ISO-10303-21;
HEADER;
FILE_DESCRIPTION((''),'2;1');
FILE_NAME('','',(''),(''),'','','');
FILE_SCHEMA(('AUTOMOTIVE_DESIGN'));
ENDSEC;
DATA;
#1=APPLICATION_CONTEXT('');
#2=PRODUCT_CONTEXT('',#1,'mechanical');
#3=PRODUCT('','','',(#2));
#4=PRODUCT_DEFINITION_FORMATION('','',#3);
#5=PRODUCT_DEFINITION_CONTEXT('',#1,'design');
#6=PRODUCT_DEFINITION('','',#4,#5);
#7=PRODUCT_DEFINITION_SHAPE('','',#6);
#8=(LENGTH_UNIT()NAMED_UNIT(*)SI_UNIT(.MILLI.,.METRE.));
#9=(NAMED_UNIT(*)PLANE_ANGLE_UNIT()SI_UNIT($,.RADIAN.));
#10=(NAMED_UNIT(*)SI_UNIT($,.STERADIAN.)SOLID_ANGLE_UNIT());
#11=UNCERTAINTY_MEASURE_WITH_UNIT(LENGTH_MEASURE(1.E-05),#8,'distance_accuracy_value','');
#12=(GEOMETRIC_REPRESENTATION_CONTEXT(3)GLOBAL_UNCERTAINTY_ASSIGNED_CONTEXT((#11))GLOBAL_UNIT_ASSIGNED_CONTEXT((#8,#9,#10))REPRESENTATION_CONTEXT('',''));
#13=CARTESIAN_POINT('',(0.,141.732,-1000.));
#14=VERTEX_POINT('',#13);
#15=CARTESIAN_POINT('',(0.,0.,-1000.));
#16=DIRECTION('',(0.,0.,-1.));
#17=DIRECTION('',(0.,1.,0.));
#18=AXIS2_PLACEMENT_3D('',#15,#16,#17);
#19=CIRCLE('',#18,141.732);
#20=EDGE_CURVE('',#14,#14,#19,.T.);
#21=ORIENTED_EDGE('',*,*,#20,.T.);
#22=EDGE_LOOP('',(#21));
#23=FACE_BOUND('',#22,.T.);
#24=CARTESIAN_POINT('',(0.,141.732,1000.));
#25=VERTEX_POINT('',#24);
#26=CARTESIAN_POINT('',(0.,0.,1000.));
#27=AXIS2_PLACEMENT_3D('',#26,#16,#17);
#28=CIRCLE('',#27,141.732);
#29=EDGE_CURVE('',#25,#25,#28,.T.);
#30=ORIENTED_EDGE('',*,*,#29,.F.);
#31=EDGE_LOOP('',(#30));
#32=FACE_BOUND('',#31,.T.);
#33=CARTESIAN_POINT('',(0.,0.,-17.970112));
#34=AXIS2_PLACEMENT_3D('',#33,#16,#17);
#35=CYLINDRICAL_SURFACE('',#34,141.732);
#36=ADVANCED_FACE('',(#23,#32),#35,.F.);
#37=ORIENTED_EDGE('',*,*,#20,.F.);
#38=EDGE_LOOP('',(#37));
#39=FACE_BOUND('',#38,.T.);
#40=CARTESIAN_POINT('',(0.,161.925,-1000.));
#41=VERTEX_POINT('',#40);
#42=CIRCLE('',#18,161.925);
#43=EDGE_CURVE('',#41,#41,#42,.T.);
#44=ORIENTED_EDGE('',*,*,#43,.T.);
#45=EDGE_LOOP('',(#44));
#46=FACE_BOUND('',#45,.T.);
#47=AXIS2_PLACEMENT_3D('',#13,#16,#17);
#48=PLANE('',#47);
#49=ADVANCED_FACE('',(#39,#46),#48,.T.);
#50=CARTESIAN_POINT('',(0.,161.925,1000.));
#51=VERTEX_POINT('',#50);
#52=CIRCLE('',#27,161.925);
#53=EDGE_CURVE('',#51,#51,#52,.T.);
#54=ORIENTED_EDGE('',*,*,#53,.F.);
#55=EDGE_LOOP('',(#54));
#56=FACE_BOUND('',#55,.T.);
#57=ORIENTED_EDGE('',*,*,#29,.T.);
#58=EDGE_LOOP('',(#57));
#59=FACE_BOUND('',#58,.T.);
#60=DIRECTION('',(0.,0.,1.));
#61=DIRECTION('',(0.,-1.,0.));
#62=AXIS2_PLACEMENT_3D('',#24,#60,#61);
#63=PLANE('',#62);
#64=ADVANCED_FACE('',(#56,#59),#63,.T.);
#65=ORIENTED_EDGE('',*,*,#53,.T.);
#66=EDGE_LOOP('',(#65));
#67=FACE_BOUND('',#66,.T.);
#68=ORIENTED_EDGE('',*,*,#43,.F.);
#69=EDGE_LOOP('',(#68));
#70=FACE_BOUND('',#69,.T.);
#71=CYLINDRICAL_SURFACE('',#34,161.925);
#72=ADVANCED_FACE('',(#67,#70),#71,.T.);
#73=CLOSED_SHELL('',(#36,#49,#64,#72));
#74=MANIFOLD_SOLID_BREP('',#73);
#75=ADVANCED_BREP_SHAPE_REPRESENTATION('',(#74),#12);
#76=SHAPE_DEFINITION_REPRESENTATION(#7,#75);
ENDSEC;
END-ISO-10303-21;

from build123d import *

# Parameters (mm, degrees)
SKETCH2_W = 2000
SKETCH2_H = 20.193


with BuildPart() as part:
    # Sketch2 → Revolve1 (revolve)
    with BuildSketch(Plane(origin=(0, 0, 0), x_dir=(0, 0, -1), z_dir=(1, 0, 0))):
        with Locations((0, 151.8285)):
            Rectangle(SKETCH2_W, SKETCH2_H)
    revolve(axis=Axis((0, 0, -17.970111657), (0, 0, 1)))


solid = part.part
